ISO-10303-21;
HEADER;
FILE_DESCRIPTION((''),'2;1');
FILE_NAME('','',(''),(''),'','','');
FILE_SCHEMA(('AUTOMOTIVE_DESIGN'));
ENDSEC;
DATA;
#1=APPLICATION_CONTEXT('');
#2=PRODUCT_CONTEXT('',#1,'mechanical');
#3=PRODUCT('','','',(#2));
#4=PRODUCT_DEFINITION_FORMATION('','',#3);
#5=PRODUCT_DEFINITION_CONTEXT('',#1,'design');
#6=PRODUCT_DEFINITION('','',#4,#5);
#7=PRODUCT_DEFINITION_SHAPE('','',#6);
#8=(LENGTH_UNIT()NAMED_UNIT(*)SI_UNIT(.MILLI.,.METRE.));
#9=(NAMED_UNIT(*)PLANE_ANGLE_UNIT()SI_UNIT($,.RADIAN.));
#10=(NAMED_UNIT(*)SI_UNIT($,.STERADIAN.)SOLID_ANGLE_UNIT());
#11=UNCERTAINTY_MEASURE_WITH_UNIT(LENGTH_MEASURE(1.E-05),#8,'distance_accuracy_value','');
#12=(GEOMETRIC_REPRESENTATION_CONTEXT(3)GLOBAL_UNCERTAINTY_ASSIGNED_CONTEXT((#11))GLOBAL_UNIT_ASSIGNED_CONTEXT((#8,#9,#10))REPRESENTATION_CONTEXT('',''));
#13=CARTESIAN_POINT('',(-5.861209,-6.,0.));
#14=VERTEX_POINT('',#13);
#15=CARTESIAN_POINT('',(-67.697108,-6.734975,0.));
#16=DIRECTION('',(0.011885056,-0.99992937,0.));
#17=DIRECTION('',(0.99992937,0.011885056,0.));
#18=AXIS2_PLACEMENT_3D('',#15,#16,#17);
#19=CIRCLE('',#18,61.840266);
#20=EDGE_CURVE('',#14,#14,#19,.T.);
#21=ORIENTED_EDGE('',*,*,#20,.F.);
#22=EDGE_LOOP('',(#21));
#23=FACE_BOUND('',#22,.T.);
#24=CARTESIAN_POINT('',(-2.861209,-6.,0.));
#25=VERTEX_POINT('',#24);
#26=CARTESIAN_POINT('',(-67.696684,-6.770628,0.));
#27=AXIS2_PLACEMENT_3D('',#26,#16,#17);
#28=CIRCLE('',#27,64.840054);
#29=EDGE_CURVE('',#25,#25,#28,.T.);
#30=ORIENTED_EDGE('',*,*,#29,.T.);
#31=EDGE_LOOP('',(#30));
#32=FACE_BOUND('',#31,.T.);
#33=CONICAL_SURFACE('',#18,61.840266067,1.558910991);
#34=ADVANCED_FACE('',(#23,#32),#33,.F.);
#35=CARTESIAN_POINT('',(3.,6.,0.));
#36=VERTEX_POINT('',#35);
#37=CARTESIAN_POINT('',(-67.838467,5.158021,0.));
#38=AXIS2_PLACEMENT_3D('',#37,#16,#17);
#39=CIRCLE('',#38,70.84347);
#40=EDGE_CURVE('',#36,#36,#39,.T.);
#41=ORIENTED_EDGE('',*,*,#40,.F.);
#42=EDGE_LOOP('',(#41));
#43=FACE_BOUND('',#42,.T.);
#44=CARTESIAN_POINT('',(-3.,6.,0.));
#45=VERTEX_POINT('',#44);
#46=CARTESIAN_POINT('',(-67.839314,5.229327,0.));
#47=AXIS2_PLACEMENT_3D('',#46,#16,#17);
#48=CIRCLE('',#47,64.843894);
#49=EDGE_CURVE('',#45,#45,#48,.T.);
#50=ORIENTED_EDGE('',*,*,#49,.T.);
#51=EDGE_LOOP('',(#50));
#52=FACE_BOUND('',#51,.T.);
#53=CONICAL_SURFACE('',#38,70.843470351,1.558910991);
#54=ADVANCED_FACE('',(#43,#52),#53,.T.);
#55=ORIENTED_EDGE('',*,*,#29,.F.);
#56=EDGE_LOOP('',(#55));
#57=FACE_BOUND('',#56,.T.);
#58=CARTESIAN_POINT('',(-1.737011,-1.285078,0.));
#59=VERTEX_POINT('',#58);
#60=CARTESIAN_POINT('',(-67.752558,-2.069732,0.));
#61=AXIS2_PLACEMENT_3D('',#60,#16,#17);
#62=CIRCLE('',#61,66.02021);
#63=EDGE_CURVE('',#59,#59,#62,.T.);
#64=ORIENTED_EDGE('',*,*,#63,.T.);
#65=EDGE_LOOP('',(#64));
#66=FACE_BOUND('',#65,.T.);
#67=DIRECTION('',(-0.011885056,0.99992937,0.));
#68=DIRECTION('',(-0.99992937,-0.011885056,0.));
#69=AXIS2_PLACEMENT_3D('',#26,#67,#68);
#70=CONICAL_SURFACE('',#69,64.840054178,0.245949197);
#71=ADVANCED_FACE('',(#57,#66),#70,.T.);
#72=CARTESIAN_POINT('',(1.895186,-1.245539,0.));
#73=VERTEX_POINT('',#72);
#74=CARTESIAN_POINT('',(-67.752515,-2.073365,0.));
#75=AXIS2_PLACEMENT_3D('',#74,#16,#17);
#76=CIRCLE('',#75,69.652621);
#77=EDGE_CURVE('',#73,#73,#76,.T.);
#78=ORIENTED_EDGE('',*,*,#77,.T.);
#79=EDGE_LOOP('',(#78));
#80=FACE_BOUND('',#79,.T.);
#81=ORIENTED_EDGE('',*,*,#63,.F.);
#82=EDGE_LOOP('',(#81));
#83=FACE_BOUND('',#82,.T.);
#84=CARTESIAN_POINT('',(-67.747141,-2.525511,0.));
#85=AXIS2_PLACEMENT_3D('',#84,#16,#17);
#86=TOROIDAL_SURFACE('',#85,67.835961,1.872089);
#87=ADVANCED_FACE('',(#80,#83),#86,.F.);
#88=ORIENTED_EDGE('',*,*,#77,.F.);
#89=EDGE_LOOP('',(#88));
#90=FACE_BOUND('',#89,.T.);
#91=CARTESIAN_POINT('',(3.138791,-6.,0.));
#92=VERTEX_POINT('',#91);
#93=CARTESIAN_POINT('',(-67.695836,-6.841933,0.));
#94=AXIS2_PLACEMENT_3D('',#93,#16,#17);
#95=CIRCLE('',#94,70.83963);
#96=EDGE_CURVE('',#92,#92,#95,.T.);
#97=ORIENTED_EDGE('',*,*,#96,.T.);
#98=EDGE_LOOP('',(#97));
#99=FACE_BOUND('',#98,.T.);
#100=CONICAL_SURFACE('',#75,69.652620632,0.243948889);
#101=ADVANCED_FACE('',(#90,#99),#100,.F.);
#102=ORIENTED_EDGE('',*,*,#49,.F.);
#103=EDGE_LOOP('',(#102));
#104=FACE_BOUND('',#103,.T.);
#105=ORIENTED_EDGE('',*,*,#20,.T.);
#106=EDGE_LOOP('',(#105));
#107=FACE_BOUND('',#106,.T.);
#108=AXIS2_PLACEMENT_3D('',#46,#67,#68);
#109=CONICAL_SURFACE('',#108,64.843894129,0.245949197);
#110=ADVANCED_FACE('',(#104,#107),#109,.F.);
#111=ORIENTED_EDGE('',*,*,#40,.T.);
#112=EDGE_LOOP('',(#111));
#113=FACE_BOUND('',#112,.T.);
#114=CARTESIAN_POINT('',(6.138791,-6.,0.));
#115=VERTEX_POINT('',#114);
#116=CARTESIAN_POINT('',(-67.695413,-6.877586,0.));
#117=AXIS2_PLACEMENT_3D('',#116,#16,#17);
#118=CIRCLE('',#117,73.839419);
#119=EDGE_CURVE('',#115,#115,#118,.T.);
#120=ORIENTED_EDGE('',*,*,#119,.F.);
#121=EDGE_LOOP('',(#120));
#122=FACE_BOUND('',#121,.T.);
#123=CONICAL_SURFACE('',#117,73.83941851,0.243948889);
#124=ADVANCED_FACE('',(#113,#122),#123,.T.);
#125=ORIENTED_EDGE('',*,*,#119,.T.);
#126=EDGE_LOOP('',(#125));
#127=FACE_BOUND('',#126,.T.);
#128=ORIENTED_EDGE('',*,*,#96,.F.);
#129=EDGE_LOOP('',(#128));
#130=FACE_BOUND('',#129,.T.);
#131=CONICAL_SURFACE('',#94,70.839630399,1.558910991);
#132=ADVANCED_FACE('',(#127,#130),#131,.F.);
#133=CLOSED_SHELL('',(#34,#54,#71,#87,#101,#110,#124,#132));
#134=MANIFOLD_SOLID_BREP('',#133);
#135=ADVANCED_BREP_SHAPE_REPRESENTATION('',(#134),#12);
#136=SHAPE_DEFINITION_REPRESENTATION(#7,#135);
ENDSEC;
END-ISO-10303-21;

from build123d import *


with BuildPart() as part:
    # Sketch1 → Revolve1 (revolve)
    with BuildSketch(Plane.XY):
        with BuildLine():
            Line((-3, 6), (3, 6))
            Line((3, 6), (6.138790522, -6))
            Line((6.138790522, -6), (3.138790522, -6))
            Line((3.138790522, -6), (1.895185891, -1.245539494))
            ThreePointArc((1.895185891, -1.245539494), (0.063651423, 0.152701363), (-1.737011229, -1.285078181))
            Line((-1.737011229, -1.285078181), (-2.861209478, -6))
            Line((-2.861209478, -6), (-5.861209478, -6))
            Line((-5.861209478, -6), (-3, 6))
        make_face()
    revolve(axis=Axis((-67.767585158, -0.805478429, 0), (-0.011885055906045838, 0.9999293702287728, 0)))


solid = part.part
